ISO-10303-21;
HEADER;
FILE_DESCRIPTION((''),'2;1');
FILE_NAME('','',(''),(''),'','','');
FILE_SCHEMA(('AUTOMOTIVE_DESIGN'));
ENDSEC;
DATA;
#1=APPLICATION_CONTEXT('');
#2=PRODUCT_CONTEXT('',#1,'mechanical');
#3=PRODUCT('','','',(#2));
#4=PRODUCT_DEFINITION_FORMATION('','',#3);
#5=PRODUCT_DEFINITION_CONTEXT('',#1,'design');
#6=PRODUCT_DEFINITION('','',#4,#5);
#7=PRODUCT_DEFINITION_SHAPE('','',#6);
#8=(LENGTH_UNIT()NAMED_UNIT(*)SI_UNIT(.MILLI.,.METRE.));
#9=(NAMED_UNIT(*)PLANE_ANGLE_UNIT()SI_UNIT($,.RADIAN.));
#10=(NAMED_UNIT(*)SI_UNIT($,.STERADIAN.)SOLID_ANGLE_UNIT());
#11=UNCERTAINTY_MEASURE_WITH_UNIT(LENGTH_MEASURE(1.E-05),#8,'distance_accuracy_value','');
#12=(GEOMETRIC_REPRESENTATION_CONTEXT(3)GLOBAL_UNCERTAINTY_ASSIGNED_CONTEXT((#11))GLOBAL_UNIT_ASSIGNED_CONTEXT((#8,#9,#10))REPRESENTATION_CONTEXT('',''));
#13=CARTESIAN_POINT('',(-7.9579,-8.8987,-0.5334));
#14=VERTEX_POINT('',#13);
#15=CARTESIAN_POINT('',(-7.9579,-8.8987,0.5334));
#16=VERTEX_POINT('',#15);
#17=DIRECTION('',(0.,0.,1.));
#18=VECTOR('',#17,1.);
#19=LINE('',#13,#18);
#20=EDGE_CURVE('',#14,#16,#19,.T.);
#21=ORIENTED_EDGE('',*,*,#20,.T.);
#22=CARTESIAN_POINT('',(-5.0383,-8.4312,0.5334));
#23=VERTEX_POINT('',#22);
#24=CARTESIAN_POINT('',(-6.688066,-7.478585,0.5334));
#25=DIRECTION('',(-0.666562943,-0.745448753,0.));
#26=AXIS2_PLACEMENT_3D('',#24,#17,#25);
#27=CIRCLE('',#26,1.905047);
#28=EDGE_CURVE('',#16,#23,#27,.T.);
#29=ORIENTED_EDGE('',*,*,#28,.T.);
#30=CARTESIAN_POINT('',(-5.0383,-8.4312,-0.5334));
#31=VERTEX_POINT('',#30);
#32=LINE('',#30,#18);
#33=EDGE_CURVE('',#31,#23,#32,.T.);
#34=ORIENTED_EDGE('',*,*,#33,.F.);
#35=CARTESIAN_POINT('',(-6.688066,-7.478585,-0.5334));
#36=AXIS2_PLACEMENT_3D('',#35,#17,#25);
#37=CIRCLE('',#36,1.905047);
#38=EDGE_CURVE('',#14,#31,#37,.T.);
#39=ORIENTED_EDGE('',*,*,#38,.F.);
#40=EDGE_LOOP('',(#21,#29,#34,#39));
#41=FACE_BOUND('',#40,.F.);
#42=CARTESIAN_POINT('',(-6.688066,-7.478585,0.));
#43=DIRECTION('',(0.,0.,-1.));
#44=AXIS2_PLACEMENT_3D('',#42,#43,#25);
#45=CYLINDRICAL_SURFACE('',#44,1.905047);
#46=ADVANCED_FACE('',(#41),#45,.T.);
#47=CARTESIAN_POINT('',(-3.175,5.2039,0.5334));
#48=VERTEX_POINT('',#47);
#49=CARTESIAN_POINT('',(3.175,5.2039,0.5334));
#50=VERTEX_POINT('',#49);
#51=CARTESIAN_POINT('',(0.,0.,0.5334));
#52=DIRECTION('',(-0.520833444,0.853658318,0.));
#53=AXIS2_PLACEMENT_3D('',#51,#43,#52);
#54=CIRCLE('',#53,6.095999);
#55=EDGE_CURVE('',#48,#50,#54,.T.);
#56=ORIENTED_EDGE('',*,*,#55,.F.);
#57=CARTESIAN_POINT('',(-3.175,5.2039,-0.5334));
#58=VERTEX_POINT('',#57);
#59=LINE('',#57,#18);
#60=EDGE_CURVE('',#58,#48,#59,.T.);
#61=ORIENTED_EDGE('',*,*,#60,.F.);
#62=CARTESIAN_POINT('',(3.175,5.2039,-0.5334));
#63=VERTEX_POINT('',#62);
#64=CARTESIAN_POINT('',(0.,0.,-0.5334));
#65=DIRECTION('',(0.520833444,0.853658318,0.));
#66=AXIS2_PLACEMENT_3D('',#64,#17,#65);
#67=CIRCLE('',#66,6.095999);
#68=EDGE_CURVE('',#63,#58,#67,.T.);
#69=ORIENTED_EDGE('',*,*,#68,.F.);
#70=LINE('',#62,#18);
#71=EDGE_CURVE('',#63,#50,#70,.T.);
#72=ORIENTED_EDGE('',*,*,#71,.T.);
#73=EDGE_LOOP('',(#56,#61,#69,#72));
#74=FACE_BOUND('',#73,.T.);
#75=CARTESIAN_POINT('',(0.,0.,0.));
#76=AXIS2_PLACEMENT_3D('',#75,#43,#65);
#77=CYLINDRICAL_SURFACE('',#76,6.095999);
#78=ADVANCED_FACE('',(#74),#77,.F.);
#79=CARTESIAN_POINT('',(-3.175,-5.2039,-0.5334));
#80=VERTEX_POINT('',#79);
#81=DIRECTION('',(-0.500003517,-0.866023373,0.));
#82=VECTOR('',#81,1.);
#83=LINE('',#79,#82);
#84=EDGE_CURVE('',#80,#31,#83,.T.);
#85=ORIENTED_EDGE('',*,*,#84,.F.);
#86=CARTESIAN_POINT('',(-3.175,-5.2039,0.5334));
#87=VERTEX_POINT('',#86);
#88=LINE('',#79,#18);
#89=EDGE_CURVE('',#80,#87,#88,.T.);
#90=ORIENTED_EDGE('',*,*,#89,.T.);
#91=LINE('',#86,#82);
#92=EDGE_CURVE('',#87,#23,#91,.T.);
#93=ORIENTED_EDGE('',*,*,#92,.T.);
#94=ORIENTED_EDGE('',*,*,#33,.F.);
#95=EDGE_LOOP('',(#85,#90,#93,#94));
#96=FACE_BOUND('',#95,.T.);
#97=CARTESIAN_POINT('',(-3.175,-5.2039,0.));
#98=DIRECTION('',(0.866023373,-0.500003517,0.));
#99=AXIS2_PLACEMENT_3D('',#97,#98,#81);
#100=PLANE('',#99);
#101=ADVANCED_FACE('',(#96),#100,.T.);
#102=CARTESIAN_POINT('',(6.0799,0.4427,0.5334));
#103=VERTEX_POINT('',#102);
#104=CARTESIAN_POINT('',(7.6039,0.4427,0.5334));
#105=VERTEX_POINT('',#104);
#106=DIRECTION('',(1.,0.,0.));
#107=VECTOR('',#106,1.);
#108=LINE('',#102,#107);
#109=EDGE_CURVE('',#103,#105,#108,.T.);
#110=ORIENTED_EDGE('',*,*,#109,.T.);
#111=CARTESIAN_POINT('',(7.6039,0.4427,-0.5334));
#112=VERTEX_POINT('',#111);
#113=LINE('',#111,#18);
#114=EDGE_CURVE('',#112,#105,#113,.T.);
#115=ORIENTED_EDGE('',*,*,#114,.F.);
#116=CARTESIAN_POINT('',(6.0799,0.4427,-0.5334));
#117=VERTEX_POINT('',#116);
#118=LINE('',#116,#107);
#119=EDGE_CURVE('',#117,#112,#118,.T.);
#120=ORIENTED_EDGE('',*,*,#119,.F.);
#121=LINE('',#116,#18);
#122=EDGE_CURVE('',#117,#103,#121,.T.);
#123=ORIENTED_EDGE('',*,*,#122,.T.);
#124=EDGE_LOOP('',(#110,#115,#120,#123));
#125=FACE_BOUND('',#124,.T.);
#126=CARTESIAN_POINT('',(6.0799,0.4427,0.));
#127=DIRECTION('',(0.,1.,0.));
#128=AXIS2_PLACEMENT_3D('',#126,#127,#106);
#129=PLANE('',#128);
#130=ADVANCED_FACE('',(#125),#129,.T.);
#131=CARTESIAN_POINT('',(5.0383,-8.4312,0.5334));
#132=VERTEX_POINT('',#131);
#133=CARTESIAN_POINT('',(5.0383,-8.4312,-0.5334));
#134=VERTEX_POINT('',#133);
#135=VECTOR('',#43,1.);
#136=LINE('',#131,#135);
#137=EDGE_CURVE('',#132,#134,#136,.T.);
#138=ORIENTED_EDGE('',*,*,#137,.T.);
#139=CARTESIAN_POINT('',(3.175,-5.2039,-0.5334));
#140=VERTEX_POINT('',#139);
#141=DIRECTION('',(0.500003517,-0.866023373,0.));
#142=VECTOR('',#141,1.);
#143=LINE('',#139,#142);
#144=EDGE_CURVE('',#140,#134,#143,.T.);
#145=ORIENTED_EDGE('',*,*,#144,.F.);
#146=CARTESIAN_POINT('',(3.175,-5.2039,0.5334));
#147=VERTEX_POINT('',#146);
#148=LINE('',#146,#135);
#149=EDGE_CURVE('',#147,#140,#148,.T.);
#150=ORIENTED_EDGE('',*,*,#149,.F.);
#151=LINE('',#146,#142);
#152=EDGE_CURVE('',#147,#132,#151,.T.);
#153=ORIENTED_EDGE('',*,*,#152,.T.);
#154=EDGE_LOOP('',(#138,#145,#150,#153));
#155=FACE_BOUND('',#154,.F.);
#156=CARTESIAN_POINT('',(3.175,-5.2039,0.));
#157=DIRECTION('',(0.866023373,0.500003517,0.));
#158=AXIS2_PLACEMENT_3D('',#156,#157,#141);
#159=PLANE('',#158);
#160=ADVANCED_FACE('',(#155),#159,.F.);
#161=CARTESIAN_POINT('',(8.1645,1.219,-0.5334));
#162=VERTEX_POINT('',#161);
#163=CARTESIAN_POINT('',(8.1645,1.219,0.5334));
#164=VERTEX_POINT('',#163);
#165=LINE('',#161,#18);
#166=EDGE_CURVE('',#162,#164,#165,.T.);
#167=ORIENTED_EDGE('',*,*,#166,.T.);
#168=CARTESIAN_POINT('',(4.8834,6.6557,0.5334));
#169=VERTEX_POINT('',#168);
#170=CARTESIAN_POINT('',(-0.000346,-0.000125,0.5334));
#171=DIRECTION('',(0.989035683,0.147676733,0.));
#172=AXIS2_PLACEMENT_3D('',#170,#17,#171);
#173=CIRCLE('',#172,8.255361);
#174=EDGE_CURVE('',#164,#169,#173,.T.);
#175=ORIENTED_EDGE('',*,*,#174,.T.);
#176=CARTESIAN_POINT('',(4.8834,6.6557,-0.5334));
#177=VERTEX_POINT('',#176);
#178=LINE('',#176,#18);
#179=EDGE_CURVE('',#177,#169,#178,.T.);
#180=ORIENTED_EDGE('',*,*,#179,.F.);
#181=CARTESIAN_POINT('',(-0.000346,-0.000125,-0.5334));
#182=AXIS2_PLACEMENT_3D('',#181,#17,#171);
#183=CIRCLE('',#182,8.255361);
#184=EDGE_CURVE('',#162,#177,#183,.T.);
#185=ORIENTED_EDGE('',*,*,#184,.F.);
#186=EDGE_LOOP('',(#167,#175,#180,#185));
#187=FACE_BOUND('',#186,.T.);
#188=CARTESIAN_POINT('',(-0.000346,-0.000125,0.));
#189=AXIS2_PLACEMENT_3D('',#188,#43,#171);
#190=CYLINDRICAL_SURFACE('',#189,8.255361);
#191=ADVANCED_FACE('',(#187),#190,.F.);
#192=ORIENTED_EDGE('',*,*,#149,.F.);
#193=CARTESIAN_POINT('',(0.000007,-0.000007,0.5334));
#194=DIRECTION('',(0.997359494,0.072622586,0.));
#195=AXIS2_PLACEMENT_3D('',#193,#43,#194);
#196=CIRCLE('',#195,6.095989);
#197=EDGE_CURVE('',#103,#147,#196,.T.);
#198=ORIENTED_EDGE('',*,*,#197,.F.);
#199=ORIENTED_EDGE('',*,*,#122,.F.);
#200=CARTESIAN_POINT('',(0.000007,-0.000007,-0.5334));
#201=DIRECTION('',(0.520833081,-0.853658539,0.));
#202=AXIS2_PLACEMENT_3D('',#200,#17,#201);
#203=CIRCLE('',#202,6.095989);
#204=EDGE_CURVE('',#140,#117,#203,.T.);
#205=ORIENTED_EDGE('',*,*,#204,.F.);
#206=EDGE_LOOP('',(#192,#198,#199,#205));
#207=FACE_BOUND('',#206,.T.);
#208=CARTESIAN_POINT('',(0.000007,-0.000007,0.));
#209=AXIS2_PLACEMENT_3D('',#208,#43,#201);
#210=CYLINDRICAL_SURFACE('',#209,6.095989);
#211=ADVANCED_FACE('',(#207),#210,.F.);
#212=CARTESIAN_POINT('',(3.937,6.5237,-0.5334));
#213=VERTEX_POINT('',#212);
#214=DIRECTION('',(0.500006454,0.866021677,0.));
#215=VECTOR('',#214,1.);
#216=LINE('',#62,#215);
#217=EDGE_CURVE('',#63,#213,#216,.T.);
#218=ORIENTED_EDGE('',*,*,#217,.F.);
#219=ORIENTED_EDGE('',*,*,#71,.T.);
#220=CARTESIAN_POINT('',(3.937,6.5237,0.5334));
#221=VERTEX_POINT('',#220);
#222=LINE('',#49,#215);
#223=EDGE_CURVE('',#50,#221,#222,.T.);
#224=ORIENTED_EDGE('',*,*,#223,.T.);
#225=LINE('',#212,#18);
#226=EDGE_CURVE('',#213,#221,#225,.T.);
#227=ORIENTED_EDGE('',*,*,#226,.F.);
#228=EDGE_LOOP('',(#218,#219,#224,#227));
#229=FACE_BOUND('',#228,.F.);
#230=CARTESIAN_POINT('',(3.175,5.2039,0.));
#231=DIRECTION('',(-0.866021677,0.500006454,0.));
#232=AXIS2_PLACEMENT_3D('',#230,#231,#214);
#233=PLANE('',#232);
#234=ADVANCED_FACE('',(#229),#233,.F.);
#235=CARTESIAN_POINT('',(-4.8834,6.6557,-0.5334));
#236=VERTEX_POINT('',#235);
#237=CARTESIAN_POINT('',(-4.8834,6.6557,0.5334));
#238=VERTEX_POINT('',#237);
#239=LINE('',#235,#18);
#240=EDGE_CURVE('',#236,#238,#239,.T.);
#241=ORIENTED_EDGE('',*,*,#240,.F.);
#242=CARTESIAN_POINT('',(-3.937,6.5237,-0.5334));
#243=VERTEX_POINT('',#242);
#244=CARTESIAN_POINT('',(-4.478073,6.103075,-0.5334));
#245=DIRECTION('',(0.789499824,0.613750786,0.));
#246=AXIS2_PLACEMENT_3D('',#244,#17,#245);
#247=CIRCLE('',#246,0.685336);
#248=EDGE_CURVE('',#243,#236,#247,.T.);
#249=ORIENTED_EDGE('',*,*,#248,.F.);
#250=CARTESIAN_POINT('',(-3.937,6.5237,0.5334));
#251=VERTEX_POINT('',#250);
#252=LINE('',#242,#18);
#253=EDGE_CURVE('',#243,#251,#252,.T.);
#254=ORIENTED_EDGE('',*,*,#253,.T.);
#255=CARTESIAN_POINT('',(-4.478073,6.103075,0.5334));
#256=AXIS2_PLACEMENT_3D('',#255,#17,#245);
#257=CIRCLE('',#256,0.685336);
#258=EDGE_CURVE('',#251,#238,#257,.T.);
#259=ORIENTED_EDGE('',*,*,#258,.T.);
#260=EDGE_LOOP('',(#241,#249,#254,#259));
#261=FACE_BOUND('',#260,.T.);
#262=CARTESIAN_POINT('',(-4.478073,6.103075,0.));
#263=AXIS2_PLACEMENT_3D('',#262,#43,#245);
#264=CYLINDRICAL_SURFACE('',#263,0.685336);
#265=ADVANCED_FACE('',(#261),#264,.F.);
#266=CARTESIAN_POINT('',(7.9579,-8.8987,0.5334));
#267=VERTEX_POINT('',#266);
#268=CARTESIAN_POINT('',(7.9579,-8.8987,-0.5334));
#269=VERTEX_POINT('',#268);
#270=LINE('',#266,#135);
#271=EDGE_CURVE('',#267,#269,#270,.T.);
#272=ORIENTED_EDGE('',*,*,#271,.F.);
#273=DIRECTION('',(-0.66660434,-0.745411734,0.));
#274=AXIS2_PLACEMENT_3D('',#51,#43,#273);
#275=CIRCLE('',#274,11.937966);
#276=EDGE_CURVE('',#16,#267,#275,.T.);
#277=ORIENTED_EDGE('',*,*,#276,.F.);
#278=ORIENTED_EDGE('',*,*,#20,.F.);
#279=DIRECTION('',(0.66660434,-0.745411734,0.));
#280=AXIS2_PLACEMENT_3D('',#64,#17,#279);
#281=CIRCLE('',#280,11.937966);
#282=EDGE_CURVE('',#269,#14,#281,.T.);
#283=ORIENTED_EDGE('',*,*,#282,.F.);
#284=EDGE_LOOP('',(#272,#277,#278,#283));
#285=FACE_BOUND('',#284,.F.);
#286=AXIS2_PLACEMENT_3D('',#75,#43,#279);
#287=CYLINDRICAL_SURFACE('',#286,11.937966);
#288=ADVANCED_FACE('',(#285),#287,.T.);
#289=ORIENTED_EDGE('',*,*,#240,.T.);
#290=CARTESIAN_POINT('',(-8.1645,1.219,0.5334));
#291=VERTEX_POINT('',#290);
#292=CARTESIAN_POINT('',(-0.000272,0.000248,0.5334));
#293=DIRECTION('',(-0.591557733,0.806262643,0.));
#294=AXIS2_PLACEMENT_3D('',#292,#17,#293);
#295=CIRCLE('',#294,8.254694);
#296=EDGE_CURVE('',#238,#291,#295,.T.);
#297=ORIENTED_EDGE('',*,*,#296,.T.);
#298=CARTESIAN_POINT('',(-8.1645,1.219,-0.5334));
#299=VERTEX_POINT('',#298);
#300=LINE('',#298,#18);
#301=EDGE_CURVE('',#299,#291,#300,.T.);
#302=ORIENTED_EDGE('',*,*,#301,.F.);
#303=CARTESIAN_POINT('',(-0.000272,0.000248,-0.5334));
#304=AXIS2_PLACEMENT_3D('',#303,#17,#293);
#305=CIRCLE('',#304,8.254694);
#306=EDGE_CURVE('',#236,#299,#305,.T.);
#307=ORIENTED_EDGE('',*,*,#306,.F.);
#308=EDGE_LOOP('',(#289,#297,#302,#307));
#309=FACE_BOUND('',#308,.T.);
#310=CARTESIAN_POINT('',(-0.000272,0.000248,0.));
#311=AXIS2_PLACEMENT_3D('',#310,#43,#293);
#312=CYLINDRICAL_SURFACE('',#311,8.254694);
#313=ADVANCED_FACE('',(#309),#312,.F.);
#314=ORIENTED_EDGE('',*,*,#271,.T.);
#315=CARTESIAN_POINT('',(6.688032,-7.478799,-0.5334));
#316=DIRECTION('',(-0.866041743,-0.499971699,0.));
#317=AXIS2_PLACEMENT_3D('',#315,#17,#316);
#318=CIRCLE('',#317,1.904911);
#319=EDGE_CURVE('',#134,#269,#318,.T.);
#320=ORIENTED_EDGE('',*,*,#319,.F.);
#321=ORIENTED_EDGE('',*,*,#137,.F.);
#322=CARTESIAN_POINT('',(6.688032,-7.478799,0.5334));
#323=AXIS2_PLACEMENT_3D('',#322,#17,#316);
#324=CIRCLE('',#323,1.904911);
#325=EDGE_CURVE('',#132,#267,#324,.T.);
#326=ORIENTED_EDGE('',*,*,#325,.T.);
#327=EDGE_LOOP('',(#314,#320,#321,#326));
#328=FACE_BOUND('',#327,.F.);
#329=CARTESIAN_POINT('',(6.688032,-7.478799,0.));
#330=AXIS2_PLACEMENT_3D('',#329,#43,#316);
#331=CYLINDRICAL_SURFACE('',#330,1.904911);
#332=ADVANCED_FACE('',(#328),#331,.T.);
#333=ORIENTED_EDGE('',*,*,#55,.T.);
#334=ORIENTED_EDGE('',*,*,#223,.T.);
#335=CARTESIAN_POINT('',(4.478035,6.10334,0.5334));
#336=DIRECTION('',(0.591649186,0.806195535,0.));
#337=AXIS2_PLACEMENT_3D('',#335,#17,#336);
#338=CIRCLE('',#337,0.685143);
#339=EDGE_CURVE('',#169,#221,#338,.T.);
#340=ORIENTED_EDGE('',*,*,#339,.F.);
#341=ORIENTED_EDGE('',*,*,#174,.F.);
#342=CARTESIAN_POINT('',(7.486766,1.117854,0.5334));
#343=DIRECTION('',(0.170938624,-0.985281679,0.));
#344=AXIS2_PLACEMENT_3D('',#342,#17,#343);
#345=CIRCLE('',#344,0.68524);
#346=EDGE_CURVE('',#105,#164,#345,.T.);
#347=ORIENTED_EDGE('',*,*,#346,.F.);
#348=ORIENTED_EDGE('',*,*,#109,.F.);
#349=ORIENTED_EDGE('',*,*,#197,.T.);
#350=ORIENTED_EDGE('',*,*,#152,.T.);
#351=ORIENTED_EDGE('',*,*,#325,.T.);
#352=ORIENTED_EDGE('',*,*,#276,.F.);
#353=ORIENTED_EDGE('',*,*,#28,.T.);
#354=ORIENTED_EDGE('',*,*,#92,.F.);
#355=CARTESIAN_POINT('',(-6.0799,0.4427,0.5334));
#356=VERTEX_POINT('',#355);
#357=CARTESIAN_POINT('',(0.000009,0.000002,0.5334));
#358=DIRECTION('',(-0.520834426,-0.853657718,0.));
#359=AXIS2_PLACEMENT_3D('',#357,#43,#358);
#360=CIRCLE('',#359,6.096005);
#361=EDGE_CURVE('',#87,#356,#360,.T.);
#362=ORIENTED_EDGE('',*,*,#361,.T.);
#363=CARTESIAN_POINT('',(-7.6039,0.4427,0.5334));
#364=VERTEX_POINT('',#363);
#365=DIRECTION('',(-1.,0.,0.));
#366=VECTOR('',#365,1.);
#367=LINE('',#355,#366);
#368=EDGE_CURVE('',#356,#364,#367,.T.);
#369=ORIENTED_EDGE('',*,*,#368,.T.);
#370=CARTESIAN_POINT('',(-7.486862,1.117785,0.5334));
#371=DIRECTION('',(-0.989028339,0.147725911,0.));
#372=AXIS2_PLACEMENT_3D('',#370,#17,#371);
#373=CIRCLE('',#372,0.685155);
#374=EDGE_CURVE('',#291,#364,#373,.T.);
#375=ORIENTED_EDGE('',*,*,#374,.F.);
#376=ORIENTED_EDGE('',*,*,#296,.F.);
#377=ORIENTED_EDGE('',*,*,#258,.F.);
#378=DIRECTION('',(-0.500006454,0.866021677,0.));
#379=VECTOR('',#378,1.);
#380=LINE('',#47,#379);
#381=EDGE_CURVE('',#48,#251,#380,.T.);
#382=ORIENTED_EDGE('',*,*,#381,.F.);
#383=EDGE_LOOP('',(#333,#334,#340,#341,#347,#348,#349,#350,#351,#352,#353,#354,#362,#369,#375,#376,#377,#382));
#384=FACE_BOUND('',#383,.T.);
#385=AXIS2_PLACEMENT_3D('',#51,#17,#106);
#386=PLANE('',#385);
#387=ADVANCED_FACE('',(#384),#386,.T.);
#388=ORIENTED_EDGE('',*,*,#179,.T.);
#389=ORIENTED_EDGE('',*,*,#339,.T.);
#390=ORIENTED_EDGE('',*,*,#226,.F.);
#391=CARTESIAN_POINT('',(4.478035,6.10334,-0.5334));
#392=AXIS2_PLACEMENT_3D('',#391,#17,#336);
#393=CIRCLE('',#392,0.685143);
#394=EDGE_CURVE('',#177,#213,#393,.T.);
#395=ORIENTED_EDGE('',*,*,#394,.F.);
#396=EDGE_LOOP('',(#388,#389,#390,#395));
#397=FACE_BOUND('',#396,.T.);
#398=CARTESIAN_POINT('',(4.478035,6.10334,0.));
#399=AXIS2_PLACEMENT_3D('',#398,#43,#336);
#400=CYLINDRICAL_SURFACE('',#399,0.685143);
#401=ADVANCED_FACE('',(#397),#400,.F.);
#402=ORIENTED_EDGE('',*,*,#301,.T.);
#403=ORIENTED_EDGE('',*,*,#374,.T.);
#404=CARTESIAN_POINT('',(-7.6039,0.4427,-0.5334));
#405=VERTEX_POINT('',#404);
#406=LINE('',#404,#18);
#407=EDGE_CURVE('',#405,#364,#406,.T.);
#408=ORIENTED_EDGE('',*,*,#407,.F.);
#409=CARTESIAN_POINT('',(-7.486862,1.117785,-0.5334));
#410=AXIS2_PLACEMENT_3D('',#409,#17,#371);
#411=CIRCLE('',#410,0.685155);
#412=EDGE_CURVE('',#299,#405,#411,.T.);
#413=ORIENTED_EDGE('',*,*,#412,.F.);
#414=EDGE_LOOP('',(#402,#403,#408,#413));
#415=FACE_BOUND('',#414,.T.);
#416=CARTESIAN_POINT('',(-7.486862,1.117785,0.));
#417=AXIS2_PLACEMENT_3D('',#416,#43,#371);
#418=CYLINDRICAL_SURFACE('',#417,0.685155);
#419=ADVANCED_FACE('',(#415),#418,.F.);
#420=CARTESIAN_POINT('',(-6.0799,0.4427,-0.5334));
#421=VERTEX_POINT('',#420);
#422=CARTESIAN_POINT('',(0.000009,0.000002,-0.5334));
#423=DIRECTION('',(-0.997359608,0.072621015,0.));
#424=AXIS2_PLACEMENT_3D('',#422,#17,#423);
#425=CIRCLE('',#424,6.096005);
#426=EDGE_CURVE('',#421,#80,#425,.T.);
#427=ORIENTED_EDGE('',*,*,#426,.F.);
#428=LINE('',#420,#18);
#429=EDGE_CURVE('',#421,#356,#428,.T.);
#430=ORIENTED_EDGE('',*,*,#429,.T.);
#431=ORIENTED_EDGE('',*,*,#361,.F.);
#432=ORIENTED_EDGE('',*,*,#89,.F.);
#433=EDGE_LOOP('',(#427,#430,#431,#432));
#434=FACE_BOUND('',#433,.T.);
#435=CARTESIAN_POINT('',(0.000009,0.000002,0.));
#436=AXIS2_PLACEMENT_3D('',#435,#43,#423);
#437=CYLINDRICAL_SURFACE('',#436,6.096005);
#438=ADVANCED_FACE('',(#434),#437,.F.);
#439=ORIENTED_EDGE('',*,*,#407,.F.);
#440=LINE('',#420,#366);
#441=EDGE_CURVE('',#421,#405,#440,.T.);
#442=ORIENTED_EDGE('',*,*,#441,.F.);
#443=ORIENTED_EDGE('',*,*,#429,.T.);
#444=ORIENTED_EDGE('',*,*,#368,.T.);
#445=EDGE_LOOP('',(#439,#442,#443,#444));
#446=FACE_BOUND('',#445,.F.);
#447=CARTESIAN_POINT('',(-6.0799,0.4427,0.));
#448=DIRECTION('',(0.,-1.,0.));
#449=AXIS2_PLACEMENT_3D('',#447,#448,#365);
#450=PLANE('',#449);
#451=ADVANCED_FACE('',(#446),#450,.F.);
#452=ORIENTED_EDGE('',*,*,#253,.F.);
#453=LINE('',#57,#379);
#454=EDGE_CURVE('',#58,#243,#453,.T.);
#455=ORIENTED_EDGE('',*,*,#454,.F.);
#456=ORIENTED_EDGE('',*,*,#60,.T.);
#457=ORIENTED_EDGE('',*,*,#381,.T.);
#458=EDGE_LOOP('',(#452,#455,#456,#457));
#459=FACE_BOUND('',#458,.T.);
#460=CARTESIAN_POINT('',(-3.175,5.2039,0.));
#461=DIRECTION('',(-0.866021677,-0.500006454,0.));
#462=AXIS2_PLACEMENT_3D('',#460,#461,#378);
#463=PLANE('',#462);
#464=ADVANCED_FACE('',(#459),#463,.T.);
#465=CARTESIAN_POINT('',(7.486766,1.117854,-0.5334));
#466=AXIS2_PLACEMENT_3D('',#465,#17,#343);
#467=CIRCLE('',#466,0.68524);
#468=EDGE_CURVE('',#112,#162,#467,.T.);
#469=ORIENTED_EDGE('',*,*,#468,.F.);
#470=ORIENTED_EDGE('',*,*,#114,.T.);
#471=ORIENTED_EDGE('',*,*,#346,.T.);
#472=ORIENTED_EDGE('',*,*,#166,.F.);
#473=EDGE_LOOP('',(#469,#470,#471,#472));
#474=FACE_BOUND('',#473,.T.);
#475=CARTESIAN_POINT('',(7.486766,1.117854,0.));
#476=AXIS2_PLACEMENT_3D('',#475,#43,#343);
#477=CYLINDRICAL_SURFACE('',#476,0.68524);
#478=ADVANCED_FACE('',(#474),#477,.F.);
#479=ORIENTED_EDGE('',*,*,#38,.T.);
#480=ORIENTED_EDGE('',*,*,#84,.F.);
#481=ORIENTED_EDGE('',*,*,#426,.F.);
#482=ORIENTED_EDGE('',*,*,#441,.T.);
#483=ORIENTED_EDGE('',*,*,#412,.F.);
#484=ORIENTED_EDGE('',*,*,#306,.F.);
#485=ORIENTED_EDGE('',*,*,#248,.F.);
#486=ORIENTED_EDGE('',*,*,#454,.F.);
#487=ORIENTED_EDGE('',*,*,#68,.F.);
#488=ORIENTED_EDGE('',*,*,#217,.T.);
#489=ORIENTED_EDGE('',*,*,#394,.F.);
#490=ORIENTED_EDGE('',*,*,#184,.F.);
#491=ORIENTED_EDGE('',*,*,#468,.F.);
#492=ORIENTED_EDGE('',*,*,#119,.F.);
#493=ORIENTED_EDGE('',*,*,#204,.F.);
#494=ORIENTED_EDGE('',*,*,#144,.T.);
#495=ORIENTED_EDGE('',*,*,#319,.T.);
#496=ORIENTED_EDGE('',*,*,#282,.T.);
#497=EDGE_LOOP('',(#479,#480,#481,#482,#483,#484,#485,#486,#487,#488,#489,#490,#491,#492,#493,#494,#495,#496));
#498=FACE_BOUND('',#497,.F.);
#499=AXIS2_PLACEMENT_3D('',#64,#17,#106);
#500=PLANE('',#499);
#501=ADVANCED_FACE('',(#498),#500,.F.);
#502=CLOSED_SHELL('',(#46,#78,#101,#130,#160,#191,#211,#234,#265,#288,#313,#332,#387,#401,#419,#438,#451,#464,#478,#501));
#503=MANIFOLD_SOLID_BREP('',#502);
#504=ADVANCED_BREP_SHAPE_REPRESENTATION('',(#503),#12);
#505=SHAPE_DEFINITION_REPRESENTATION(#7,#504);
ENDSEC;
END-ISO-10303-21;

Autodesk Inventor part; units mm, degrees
ref_plane "YZ Plane" through (0, 0, 0) normal (1, 0, 0) x (0, 1, 0)
ref_plane "XZ Plane" through (0, 0, 0) normal (0, 1, 0) x (-1, 0, 0)
ref_plane "XY Plane" through (0, 0, 0) normal (0, 0, 1) x (1, 0, 0)
sketch "Sketch1" plane through (0, 0, 0) normal (0, 0, 1) x (1, 0, 0)
  line L0 (-14.6304, 0) -> (19.5072, 0) projected
  line L1 (0, -14.6304) -> (0, 19.5072) projected
  circle A0 centre (0, 0) radius 6.096 construction
  circle A1 centre (0, 0) radius 12.192 construction
  arc A2 (7.9579, -8.8987) -> (-7.9579, -8.8987) centre (0, 0) ccw
  arc A3 (3.175, 5.2039) -> (-3.175, 5.2039) centre (0, 0) ccw
  arc A4 (-6.0799, 0.4427) -> (-3.175, -5.2039) centre (0, 0) ccw
  arc A5 (3.175, -5.2039) -> (6.0799, 0.4427) centre (0, 0) ccw
  circle A6 centre (0, 0) radius 8.255 construction
  arc A7 (-4.8834, 6.6557) -> (-8.1645, 1.219) centre (0, 0) ccw
  arc A8 (8.1645, 1.219) -> (4.8834, 6.6557) centre (0, 0) ccw
  line L2 (-3.175, 5.2039) -> (-3.937, 6.5237)
  line L3 (3.175, 5.2039) -> (3.937, 6.5237)
  line L4 (6.0799, 0.4427) -> (7.6039, 0.4427)
  line L5 (-6.0799, 0.4427) -> (-7.6039, 0.4427)
  line L6 (-3.175, -5.2039) -> (-5.0383, -8.4312)
  line L7 (3.175, -5.2039) -> (5.0383, -8.4312)
  arc A9 (-8.1645, 1.219) -> (-7.6039, 0.4427) centre (-7.4868, 1.1178) ccw
  arc A10 (-3.937, 6.5237) -> (-4.8834, 6.6557) centre (-4.478, 6.1032) ccw
  arc A11 (4.8834, 6.6557) -> (3.937, 6.5237) centre (4.478, 6.1032) ccw
  arc A12 (7.6039, 0.4427) -> (8.1645, 1.219) centre (7.4868, 1.1178) ccw
  arc A13 (-7.9579, -8.8987) -> (-5.0383, -8.4312) centre (-6.6881, -7.4787) ccw
  arc A14 (5.0383, -8.4312) -> (7.9579, -8.8987) centre (6.6881, -7.4787) ccw
  point P0 (0, 6.096)
  dimension "d0" = 12.192
  dimension "d1" = 24.384
  dimension "d2" = 23.876
  dimension "d4" = 6.35
  dimension "d5" = 6.35
  dimension "d6" = 6.35
  dimension "d7" = 16.51
  dimension "d9" = 30
  dimension "d13" = 1.524
  dimension "d14" = 6.35
  dimension "d15" = 6.35
  dimension "d16" = 60
  dimension "d17" = 60
  dimension "d18" = 30
  dimension "d19" = 1.905
extrude "Extrusion1" add sketch "Sketch1" along normal mid plane 1.0668 contours A2 L1 A3 L2 A10 A7 A9 L5 A4 L0 | L0 A4 L6 A13 A2 | A2 L0 A5 L4 A12 A8 A11 L3 A3 L1 | A2 A14 L7 A5 L0
properties part number "e-clip" material "Steel, Mild"
